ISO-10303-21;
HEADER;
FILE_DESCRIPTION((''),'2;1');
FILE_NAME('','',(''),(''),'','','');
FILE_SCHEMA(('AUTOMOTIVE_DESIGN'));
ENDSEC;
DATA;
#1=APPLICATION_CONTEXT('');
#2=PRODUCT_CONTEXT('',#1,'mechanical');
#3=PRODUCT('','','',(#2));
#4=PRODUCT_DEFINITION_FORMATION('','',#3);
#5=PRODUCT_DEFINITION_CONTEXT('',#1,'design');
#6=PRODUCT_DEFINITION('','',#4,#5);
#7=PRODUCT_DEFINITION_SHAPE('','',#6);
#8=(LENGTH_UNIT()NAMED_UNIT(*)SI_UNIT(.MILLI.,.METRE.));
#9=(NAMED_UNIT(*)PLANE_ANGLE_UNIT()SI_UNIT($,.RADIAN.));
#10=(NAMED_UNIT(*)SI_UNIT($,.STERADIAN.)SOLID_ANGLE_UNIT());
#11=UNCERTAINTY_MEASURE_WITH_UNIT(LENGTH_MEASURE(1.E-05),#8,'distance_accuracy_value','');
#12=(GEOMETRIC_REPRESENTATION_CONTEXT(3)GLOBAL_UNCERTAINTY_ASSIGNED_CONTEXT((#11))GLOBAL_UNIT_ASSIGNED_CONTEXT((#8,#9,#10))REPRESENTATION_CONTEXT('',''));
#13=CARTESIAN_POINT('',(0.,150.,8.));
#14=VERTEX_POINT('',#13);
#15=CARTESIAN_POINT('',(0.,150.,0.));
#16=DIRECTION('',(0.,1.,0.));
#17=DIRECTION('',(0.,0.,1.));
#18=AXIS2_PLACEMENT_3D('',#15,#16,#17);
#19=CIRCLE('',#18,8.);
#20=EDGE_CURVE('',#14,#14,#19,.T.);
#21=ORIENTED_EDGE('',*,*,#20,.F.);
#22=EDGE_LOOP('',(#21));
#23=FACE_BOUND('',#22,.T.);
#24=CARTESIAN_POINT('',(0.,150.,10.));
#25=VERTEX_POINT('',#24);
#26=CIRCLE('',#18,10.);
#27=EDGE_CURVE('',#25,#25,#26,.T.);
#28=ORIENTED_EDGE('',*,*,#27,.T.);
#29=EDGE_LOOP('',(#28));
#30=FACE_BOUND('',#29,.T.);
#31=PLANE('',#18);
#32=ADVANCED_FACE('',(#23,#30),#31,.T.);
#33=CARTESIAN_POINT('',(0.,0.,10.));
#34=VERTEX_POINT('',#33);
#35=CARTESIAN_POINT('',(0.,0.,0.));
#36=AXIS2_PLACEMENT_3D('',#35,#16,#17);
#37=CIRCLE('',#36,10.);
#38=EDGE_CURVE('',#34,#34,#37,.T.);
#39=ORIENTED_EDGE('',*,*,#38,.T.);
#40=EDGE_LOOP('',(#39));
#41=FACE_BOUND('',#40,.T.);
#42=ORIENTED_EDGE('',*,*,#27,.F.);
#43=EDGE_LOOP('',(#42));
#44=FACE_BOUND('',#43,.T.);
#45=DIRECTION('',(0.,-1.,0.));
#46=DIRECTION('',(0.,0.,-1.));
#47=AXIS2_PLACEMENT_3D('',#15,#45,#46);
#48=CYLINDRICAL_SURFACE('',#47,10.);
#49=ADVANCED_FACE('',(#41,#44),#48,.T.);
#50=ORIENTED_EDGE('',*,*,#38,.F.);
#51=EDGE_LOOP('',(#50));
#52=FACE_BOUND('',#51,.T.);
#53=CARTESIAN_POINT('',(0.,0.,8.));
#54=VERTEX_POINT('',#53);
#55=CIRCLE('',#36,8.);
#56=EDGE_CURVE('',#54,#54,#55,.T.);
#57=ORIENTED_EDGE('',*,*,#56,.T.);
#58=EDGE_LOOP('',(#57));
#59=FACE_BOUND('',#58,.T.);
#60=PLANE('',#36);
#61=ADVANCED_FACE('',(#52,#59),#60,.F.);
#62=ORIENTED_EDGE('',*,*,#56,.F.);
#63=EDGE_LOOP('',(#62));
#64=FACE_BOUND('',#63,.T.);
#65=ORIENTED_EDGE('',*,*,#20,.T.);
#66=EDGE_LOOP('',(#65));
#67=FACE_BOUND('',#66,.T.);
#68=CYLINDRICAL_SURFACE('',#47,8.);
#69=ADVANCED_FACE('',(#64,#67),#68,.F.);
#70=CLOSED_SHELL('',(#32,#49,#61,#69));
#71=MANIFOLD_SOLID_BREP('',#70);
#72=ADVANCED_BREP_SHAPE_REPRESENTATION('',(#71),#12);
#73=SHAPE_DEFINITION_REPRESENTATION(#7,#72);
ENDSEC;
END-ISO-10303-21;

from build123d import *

# Parameters (mm, degrees)
SKETCH1_R           = 10
SKETCH1_R_2         = 8
BOSS_EXTRUDE1_DEPTH = 150


with BuildPart() as part:
    # Sketch1 → Boss-Extrude1 (new body)
    with BuildSketch(Plane(origin=(0, 0, 0), x_dir=(1, 0, 0), z_dir=(0, 1, 0))):
        Circle(SKETCH1_R)
        Circle(SKETCH1_R_2, mode=Mode.SUBTRACT)
    extrude(amount=BOSS_EXTRUDE1_DEPTH)


solid = part.part
